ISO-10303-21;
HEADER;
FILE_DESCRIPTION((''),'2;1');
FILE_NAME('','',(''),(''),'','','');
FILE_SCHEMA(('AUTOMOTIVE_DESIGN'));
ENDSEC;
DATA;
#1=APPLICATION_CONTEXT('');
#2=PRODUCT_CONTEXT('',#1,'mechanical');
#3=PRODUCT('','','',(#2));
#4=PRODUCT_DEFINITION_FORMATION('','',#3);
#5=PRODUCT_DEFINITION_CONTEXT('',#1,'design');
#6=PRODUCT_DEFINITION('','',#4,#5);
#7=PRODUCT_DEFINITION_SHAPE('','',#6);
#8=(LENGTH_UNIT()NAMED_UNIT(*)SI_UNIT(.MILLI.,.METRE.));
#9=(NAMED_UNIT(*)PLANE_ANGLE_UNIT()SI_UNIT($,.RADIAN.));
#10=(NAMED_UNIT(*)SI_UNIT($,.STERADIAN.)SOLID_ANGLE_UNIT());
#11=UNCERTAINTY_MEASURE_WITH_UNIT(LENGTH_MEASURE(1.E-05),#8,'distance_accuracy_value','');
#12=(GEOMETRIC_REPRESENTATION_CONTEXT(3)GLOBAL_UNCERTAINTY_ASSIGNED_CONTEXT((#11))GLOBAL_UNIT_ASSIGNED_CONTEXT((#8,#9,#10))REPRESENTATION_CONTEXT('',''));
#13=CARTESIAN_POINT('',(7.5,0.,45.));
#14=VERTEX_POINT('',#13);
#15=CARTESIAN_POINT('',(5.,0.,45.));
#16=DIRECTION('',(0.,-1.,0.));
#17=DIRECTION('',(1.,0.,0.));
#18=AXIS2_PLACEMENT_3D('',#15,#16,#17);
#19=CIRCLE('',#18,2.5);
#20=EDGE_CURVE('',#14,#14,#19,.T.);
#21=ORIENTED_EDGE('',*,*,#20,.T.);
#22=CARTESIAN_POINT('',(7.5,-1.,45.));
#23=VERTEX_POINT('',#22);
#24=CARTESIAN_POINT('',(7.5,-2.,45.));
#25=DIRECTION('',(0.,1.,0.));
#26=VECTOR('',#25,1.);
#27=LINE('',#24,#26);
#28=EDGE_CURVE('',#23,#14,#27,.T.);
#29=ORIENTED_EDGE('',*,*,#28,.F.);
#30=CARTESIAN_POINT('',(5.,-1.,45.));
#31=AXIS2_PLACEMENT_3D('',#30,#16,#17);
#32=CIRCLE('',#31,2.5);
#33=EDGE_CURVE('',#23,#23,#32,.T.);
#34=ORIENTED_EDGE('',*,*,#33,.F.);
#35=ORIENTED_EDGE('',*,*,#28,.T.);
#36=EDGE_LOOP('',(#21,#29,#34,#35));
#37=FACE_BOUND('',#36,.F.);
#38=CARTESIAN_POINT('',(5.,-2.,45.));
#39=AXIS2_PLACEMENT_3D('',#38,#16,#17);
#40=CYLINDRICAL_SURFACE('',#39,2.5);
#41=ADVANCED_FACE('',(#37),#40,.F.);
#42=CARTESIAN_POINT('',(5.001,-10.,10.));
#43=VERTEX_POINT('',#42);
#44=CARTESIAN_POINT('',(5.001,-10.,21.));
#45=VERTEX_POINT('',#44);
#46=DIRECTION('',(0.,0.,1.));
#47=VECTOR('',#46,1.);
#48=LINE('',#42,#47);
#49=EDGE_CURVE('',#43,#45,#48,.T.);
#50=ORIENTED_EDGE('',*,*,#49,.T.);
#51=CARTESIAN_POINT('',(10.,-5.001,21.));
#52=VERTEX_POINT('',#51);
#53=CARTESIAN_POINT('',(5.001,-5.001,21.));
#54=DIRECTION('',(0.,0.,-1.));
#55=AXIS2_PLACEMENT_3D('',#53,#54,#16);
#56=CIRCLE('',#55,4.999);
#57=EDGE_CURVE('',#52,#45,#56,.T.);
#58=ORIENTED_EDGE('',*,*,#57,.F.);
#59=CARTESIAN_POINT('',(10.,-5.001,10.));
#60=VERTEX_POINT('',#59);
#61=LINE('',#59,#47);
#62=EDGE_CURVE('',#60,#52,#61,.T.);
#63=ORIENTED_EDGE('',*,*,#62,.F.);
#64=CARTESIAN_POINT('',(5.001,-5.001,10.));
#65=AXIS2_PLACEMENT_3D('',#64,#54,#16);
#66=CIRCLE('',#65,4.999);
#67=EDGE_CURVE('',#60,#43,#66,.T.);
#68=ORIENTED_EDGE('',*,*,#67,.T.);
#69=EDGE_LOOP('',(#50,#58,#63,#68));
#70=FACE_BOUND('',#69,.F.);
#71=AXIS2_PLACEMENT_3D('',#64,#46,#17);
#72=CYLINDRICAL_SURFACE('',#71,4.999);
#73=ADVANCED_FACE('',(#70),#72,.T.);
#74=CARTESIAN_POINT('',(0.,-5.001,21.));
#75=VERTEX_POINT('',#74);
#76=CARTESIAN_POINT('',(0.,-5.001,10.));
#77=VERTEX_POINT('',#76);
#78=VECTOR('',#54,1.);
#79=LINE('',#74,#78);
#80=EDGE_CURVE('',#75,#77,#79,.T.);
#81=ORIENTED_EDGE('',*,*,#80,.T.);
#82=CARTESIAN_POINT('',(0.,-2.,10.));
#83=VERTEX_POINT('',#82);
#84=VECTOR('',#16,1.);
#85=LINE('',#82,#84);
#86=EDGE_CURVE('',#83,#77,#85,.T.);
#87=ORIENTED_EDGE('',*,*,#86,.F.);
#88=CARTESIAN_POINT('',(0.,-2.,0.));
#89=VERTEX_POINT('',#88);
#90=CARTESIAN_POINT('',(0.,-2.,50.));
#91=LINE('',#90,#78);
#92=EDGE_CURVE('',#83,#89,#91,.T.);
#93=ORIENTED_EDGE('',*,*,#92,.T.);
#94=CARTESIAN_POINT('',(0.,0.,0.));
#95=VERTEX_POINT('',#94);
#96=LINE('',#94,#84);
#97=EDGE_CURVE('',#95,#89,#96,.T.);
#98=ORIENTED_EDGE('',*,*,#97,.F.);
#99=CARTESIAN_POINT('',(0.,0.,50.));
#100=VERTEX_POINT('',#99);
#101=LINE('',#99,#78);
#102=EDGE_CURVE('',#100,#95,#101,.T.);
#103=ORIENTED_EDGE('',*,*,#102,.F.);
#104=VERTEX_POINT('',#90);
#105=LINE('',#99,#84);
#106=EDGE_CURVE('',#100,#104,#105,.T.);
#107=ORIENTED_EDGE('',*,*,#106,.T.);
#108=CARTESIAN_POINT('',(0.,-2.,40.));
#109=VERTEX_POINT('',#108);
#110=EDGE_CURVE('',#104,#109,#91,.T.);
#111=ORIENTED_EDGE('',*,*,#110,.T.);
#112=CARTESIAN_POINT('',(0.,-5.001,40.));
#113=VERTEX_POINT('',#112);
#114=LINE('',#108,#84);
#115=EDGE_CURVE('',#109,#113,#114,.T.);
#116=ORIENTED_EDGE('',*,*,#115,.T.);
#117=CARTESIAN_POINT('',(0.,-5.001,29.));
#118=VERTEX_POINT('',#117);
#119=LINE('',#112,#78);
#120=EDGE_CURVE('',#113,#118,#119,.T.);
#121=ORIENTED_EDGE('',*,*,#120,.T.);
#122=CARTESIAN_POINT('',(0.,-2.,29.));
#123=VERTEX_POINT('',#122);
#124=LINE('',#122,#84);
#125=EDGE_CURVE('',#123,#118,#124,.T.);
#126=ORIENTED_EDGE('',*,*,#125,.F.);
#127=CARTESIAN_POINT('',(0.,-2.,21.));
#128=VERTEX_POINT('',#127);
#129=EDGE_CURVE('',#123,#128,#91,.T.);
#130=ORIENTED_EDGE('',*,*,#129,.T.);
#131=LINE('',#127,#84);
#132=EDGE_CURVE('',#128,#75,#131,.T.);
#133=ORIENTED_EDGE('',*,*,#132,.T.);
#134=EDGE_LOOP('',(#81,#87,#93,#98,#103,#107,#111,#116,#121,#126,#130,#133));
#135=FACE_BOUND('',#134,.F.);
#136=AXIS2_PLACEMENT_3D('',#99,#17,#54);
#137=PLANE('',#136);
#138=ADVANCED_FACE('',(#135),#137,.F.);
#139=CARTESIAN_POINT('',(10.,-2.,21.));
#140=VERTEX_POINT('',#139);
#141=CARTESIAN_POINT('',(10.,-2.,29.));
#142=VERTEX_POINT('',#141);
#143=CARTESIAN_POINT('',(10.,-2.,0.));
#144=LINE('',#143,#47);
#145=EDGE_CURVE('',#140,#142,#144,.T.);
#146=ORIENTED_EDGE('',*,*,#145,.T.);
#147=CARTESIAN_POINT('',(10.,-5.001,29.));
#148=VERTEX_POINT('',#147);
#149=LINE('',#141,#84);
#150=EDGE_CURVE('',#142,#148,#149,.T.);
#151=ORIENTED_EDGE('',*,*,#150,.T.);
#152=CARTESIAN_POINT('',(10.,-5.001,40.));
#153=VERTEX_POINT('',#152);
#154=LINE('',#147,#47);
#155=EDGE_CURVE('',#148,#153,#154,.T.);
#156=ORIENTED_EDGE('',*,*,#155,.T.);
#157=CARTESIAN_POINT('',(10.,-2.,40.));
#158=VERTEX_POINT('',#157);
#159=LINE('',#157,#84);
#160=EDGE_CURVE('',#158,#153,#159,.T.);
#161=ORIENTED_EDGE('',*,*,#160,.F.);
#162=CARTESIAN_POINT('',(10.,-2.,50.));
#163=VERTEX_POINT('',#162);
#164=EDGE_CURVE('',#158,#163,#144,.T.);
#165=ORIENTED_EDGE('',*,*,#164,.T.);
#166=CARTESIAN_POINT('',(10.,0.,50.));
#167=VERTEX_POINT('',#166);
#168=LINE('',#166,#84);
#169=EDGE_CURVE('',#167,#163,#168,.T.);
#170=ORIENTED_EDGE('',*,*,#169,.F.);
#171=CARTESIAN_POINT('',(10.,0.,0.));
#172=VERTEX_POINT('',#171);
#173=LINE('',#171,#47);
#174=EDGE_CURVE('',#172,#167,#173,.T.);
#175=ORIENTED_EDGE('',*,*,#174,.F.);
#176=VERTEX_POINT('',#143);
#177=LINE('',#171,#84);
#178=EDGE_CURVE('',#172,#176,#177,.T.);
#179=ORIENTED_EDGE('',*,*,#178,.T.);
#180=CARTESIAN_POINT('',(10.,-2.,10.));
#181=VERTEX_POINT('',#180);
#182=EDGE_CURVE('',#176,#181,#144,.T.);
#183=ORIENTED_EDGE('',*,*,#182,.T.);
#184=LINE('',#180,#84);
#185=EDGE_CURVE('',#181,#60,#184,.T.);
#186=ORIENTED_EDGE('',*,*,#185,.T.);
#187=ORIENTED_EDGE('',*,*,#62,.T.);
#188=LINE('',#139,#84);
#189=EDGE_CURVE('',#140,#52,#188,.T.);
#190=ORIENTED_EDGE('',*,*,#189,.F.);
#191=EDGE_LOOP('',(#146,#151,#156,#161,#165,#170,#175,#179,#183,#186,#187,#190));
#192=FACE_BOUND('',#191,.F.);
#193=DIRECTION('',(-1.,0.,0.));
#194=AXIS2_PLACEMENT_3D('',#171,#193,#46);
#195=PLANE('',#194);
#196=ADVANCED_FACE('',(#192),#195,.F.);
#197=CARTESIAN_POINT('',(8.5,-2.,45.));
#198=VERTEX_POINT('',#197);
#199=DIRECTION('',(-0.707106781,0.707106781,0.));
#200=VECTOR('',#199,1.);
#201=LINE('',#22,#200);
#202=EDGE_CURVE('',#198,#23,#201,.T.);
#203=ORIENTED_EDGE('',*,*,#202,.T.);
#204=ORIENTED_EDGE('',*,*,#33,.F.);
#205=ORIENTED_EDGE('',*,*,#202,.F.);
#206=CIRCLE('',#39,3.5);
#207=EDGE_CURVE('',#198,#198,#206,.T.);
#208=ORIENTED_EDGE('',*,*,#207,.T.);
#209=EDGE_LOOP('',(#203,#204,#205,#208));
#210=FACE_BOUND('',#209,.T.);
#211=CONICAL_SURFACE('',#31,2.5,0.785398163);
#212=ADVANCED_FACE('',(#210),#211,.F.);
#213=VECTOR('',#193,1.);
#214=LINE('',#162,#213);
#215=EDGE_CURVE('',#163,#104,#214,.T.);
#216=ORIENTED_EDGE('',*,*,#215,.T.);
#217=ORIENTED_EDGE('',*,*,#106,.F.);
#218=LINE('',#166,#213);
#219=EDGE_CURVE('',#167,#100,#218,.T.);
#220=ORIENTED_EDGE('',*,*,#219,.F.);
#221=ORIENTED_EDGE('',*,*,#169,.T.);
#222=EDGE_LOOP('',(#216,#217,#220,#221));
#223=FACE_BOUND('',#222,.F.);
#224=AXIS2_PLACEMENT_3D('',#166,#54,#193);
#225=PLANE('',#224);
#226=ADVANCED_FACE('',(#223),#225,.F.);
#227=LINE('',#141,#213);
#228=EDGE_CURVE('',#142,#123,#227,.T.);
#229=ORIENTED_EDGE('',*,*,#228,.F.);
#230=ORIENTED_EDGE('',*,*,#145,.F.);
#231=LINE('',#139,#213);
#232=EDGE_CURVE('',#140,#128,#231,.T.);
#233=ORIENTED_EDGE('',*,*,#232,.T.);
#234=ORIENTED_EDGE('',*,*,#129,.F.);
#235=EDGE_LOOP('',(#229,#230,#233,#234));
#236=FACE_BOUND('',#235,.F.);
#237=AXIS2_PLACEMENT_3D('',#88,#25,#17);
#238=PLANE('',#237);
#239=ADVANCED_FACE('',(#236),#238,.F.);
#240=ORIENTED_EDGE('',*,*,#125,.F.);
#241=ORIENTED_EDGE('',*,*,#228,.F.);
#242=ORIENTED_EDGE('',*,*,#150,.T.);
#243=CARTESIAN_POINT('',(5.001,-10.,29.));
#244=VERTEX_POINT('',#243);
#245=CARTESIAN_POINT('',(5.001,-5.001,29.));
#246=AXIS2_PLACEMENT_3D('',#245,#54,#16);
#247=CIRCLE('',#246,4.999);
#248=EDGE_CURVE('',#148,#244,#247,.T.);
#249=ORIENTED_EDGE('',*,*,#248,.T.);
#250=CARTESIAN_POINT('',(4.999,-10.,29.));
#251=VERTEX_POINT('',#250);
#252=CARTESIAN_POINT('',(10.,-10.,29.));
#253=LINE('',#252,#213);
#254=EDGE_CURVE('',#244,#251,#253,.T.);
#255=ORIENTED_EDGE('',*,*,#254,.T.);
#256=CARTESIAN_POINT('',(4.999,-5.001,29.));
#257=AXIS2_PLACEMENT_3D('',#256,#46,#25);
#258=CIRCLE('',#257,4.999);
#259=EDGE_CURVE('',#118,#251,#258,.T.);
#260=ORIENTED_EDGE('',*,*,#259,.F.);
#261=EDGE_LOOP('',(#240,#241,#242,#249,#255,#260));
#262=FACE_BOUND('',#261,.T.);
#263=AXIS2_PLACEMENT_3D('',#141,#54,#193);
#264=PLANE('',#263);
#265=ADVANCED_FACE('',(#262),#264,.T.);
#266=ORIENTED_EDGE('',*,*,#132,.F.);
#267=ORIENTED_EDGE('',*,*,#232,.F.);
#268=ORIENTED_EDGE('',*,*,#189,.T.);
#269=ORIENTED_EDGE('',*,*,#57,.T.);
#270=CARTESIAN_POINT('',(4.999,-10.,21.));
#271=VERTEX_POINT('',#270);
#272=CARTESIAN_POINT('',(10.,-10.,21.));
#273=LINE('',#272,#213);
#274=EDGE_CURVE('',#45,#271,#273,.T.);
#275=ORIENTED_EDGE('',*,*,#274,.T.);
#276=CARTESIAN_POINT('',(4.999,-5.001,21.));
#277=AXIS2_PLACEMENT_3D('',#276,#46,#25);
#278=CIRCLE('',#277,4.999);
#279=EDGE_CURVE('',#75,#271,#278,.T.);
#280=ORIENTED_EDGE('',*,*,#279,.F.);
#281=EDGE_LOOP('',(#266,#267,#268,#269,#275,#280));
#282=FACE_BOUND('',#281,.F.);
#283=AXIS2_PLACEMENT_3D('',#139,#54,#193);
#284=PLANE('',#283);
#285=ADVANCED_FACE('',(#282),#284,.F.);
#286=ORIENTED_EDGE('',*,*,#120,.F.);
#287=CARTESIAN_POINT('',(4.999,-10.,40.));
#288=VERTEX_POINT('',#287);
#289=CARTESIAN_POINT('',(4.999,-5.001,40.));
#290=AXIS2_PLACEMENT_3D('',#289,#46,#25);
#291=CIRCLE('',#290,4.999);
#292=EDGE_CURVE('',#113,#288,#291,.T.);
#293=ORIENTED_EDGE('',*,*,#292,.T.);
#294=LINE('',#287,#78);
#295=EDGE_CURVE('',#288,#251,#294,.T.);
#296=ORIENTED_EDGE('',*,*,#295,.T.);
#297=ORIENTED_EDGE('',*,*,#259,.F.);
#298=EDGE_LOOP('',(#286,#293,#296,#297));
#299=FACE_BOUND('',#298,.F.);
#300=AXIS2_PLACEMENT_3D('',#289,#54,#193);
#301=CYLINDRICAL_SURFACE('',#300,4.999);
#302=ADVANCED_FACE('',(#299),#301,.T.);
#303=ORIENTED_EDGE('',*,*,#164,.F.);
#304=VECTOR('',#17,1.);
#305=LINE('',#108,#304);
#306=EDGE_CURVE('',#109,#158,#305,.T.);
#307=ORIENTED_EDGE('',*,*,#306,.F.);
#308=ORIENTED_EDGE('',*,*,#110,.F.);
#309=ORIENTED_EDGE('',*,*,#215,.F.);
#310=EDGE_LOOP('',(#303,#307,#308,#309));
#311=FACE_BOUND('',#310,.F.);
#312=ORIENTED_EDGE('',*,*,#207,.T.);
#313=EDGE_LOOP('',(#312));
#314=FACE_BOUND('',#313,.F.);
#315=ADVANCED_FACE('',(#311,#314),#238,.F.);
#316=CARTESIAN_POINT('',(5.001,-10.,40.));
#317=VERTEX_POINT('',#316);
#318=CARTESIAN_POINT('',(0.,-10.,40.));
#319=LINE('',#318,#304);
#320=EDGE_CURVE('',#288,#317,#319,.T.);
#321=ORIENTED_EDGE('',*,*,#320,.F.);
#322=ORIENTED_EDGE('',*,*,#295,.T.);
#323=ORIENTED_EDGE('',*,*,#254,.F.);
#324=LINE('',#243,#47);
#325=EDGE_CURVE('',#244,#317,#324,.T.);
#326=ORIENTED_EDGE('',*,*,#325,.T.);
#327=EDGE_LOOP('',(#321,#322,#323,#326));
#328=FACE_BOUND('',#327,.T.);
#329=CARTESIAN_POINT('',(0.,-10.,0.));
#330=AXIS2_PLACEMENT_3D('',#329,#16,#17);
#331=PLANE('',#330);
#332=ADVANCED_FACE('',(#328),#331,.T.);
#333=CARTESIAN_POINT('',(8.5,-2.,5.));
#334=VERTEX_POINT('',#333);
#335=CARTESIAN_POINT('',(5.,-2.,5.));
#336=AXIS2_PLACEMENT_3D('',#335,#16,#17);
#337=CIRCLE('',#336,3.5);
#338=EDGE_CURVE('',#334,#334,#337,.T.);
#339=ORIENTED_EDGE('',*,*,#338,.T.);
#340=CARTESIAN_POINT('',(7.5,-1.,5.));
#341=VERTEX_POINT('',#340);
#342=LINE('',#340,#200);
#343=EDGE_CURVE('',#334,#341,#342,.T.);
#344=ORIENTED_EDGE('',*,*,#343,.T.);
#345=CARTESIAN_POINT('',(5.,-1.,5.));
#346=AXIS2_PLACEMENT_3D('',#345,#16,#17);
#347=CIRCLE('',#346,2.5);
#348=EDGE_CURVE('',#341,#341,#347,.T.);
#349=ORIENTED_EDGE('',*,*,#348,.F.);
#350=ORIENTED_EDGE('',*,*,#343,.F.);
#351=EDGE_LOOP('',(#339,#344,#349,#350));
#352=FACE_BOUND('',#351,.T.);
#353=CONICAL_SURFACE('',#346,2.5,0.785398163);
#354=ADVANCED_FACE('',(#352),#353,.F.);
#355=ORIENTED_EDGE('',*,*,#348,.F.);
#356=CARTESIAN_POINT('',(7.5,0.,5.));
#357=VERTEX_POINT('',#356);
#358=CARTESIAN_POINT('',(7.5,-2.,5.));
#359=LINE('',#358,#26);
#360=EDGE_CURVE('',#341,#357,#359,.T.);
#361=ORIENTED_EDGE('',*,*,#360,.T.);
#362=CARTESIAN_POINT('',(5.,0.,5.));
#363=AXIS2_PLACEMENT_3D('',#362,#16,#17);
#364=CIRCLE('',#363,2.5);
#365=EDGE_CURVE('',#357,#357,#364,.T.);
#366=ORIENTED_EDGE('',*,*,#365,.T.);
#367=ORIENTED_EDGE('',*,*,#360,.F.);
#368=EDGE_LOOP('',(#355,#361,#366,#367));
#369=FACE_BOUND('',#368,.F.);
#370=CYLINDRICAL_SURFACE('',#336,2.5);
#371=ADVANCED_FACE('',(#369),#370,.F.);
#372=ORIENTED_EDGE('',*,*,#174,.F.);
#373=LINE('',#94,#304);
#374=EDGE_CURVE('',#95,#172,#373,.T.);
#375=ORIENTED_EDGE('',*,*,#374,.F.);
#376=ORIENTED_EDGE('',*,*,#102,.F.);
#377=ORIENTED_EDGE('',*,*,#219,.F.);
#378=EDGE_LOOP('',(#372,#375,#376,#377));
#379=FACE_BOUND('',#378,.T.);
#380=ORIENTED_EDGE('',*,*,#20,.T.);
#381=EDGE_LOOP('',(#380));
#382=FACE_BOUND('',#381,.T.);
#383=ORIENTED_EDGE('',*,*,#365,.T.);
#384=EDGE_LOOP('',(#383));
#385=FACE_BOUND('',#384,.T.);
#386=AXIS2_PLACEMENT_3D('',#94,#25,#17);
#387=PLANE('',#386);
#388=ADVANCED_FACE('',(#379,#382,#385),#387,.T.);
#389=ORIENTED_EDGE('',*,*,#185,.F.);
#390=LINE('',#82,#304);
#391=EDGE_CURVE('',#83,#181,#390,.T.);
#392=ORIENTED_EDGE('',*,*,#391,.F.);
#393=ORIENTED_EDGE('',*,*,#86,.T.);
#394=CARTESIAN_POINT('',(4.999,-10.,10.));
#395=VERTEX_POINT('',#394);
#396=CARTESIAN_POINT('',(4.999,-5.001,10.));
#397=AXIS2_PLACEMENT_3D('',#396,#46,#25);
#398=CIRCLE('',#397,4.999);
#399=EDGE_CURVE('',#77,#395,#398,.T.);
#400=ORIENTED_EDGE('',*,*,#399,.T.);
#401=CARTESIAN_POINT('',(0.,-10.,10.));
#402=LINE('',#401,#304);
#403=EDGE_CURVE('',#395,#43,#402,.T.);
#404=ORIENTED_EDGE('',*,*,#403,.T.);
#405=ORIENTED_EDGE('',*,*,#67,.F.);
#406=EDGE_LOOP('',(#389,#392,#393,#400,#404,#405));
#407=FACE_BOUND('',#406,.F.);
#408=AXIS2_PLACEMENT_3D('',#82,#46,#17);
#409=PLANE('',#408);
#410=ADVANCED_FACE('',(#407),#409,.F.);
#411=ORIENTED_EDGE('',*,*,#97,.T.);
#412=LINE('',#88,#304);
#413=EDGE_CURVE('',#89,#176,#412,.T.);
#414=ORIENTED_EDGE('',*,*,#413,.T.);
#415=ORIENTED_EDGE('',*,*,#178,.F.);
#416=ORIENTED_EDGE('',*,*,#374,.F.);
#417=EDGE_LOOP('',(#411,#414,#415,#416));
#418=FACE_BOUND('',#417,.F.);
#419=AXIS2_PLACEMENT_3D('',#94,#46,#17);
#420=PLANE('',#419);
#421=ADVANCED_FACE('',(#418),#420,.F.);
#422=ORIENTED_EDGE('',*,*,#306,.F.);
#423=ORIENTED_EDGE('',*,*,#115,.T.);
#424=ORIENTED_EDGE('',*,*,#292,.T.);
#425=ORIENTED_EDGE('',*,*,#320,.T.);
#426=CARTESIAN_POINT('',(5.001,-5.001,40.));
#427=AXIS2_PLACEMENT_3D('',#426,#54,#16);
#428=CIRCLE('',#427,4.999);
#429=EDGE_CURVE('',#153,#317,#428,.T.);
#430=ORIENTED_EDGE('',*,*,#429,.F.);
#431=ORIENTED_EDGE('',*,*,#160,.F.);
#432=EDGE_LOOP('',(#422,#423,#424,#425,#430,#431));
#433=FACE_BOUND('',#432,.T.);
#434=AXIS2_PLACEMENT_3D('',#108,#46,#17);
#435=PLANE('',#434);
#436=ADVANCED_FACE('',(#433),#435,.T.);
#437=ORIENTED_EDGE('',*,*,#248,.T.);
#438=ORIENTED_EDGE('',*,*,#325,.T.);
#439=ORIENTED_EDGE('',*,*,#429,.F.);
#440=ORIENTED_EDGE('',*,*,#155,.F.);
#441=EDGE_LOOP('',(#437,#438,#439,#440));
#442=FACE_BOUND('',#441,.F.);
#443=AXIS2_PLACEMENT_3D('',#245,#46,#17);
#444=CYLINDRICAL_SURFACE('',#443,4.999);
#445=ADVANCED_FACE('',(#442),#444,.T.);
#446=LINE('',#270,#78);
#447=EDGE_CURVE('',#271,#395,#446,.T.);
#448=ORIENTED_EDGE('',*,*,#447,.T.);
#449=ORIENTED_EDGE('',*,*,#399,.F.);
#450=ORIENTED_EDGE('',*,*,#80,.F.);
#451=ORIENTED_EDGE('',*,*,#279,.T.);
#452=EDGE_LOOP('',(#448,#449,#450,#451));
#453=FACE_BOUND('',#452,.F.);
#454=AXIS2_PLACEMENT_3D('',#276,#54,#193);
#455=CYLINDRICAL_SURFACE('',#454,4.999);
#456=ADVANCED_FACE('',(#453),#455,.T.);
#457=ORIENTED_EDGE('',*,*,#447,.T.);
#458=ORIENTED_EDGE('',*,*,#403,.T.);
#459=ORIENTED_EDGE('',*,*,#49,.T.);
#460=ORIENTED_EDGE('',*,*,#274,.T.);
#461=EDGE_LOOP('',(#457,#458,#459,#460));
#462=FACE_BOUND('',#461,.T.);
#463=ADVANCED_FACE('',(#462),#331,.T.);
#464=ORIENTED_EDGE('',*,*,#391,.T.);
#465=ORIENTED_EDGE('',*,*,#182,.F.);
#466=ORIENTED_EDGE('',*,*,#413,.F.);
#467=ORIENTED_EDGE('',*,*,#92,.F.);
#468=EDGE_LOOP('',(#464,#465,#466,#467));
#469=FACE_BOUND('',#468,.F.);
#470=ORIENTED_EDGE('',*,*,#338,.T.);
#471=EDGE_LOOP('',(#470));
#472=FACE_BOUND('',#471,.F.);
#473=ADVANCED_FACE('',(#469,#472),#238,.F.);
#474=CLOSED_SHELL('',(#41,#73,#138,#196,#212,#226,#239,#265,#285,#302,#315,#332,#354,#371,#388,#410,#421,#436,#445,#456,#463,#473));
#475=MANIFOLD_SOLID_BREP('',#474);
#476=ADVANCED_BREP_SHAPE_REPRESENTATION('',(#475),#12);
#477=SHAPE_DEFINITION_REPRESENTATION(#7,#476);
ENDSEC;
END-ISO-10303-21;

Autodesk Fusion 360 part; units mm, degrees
sketch "Sketch1" plane through (0, 0, 0) normal (0, 1, 0) x (1, 0, 0)
  line L0 (0, 0) -> (10, 0)
  line L1 (10, 0) -> (10, -50)
  line L2 (10, -50) -> (0, -50)
  line L3 (0, -50) -> (0, 0)
  dimension "d1" = 10
  dimension "d2" = 50
extrude "Extrude1" add sketch "Sketch1" against normal blind 2
sketch "Sketch2" plane through (0, -2, 0) normal (0, -1, 0) x (1, 0, 0)
  line L0 (10, 50) -> (0, 50)
  line L1 (0, 50) -> (0, 0)
  line L2 (0, 0) -> (10, 0)
  line L3 (10, 0) -> (10, 50)
  line L4 (0, 40) -> (10, 40)
  line L5 (10, 40) -> (10, 29)
  line L6 (10, 29) -> (0, 29)
  line L7 (0, 29) -> (0, 40)
  line L8 (0, 10) -> (10, 10)
  line L9 (10, 10) -> (10, 21)
  line L10 (10, 21) -> (0, 21)
  line L11 (0, 21) -> (0, 10)
  circle A0 centre (5, 45) radius 2.5
  circle A1 centre (5, 5) radius 2.5
  dimension "d5" = 5
  dimension "d6" = 5
  dimension "d7" = 5
  dimension "d8" = 5
  dimension "d9" = 11
  dimension "d10" = 11
  dimension "d11" = 10
  dimension "d12" = 10
  dimension "d13" = 8
  dimension "d14" = 5
  dimension "d15" = 5
  dimension "d16" = 5
extrude "Extrude2" add sketch "Sketch2" along normal blind 8 contours L1 L3 L4 L5 L6 L7 | L1 L3 L8 L9 L10 L11
extrude "Extrude3" cut sketch "Sketch2" against normal blind 2 contours A0 | A1
chamfer "Chamfer1" distance 1 angle 45 2 edges at (2.6692, -2, 45.904) (2.6692, -2, 5.904)
fillet "Fillet1" radius 5 4 edges at (0, -10, 34.5) (0, -10, 15.5) (10, -10, 34.5) (10, -10, 15.5)
